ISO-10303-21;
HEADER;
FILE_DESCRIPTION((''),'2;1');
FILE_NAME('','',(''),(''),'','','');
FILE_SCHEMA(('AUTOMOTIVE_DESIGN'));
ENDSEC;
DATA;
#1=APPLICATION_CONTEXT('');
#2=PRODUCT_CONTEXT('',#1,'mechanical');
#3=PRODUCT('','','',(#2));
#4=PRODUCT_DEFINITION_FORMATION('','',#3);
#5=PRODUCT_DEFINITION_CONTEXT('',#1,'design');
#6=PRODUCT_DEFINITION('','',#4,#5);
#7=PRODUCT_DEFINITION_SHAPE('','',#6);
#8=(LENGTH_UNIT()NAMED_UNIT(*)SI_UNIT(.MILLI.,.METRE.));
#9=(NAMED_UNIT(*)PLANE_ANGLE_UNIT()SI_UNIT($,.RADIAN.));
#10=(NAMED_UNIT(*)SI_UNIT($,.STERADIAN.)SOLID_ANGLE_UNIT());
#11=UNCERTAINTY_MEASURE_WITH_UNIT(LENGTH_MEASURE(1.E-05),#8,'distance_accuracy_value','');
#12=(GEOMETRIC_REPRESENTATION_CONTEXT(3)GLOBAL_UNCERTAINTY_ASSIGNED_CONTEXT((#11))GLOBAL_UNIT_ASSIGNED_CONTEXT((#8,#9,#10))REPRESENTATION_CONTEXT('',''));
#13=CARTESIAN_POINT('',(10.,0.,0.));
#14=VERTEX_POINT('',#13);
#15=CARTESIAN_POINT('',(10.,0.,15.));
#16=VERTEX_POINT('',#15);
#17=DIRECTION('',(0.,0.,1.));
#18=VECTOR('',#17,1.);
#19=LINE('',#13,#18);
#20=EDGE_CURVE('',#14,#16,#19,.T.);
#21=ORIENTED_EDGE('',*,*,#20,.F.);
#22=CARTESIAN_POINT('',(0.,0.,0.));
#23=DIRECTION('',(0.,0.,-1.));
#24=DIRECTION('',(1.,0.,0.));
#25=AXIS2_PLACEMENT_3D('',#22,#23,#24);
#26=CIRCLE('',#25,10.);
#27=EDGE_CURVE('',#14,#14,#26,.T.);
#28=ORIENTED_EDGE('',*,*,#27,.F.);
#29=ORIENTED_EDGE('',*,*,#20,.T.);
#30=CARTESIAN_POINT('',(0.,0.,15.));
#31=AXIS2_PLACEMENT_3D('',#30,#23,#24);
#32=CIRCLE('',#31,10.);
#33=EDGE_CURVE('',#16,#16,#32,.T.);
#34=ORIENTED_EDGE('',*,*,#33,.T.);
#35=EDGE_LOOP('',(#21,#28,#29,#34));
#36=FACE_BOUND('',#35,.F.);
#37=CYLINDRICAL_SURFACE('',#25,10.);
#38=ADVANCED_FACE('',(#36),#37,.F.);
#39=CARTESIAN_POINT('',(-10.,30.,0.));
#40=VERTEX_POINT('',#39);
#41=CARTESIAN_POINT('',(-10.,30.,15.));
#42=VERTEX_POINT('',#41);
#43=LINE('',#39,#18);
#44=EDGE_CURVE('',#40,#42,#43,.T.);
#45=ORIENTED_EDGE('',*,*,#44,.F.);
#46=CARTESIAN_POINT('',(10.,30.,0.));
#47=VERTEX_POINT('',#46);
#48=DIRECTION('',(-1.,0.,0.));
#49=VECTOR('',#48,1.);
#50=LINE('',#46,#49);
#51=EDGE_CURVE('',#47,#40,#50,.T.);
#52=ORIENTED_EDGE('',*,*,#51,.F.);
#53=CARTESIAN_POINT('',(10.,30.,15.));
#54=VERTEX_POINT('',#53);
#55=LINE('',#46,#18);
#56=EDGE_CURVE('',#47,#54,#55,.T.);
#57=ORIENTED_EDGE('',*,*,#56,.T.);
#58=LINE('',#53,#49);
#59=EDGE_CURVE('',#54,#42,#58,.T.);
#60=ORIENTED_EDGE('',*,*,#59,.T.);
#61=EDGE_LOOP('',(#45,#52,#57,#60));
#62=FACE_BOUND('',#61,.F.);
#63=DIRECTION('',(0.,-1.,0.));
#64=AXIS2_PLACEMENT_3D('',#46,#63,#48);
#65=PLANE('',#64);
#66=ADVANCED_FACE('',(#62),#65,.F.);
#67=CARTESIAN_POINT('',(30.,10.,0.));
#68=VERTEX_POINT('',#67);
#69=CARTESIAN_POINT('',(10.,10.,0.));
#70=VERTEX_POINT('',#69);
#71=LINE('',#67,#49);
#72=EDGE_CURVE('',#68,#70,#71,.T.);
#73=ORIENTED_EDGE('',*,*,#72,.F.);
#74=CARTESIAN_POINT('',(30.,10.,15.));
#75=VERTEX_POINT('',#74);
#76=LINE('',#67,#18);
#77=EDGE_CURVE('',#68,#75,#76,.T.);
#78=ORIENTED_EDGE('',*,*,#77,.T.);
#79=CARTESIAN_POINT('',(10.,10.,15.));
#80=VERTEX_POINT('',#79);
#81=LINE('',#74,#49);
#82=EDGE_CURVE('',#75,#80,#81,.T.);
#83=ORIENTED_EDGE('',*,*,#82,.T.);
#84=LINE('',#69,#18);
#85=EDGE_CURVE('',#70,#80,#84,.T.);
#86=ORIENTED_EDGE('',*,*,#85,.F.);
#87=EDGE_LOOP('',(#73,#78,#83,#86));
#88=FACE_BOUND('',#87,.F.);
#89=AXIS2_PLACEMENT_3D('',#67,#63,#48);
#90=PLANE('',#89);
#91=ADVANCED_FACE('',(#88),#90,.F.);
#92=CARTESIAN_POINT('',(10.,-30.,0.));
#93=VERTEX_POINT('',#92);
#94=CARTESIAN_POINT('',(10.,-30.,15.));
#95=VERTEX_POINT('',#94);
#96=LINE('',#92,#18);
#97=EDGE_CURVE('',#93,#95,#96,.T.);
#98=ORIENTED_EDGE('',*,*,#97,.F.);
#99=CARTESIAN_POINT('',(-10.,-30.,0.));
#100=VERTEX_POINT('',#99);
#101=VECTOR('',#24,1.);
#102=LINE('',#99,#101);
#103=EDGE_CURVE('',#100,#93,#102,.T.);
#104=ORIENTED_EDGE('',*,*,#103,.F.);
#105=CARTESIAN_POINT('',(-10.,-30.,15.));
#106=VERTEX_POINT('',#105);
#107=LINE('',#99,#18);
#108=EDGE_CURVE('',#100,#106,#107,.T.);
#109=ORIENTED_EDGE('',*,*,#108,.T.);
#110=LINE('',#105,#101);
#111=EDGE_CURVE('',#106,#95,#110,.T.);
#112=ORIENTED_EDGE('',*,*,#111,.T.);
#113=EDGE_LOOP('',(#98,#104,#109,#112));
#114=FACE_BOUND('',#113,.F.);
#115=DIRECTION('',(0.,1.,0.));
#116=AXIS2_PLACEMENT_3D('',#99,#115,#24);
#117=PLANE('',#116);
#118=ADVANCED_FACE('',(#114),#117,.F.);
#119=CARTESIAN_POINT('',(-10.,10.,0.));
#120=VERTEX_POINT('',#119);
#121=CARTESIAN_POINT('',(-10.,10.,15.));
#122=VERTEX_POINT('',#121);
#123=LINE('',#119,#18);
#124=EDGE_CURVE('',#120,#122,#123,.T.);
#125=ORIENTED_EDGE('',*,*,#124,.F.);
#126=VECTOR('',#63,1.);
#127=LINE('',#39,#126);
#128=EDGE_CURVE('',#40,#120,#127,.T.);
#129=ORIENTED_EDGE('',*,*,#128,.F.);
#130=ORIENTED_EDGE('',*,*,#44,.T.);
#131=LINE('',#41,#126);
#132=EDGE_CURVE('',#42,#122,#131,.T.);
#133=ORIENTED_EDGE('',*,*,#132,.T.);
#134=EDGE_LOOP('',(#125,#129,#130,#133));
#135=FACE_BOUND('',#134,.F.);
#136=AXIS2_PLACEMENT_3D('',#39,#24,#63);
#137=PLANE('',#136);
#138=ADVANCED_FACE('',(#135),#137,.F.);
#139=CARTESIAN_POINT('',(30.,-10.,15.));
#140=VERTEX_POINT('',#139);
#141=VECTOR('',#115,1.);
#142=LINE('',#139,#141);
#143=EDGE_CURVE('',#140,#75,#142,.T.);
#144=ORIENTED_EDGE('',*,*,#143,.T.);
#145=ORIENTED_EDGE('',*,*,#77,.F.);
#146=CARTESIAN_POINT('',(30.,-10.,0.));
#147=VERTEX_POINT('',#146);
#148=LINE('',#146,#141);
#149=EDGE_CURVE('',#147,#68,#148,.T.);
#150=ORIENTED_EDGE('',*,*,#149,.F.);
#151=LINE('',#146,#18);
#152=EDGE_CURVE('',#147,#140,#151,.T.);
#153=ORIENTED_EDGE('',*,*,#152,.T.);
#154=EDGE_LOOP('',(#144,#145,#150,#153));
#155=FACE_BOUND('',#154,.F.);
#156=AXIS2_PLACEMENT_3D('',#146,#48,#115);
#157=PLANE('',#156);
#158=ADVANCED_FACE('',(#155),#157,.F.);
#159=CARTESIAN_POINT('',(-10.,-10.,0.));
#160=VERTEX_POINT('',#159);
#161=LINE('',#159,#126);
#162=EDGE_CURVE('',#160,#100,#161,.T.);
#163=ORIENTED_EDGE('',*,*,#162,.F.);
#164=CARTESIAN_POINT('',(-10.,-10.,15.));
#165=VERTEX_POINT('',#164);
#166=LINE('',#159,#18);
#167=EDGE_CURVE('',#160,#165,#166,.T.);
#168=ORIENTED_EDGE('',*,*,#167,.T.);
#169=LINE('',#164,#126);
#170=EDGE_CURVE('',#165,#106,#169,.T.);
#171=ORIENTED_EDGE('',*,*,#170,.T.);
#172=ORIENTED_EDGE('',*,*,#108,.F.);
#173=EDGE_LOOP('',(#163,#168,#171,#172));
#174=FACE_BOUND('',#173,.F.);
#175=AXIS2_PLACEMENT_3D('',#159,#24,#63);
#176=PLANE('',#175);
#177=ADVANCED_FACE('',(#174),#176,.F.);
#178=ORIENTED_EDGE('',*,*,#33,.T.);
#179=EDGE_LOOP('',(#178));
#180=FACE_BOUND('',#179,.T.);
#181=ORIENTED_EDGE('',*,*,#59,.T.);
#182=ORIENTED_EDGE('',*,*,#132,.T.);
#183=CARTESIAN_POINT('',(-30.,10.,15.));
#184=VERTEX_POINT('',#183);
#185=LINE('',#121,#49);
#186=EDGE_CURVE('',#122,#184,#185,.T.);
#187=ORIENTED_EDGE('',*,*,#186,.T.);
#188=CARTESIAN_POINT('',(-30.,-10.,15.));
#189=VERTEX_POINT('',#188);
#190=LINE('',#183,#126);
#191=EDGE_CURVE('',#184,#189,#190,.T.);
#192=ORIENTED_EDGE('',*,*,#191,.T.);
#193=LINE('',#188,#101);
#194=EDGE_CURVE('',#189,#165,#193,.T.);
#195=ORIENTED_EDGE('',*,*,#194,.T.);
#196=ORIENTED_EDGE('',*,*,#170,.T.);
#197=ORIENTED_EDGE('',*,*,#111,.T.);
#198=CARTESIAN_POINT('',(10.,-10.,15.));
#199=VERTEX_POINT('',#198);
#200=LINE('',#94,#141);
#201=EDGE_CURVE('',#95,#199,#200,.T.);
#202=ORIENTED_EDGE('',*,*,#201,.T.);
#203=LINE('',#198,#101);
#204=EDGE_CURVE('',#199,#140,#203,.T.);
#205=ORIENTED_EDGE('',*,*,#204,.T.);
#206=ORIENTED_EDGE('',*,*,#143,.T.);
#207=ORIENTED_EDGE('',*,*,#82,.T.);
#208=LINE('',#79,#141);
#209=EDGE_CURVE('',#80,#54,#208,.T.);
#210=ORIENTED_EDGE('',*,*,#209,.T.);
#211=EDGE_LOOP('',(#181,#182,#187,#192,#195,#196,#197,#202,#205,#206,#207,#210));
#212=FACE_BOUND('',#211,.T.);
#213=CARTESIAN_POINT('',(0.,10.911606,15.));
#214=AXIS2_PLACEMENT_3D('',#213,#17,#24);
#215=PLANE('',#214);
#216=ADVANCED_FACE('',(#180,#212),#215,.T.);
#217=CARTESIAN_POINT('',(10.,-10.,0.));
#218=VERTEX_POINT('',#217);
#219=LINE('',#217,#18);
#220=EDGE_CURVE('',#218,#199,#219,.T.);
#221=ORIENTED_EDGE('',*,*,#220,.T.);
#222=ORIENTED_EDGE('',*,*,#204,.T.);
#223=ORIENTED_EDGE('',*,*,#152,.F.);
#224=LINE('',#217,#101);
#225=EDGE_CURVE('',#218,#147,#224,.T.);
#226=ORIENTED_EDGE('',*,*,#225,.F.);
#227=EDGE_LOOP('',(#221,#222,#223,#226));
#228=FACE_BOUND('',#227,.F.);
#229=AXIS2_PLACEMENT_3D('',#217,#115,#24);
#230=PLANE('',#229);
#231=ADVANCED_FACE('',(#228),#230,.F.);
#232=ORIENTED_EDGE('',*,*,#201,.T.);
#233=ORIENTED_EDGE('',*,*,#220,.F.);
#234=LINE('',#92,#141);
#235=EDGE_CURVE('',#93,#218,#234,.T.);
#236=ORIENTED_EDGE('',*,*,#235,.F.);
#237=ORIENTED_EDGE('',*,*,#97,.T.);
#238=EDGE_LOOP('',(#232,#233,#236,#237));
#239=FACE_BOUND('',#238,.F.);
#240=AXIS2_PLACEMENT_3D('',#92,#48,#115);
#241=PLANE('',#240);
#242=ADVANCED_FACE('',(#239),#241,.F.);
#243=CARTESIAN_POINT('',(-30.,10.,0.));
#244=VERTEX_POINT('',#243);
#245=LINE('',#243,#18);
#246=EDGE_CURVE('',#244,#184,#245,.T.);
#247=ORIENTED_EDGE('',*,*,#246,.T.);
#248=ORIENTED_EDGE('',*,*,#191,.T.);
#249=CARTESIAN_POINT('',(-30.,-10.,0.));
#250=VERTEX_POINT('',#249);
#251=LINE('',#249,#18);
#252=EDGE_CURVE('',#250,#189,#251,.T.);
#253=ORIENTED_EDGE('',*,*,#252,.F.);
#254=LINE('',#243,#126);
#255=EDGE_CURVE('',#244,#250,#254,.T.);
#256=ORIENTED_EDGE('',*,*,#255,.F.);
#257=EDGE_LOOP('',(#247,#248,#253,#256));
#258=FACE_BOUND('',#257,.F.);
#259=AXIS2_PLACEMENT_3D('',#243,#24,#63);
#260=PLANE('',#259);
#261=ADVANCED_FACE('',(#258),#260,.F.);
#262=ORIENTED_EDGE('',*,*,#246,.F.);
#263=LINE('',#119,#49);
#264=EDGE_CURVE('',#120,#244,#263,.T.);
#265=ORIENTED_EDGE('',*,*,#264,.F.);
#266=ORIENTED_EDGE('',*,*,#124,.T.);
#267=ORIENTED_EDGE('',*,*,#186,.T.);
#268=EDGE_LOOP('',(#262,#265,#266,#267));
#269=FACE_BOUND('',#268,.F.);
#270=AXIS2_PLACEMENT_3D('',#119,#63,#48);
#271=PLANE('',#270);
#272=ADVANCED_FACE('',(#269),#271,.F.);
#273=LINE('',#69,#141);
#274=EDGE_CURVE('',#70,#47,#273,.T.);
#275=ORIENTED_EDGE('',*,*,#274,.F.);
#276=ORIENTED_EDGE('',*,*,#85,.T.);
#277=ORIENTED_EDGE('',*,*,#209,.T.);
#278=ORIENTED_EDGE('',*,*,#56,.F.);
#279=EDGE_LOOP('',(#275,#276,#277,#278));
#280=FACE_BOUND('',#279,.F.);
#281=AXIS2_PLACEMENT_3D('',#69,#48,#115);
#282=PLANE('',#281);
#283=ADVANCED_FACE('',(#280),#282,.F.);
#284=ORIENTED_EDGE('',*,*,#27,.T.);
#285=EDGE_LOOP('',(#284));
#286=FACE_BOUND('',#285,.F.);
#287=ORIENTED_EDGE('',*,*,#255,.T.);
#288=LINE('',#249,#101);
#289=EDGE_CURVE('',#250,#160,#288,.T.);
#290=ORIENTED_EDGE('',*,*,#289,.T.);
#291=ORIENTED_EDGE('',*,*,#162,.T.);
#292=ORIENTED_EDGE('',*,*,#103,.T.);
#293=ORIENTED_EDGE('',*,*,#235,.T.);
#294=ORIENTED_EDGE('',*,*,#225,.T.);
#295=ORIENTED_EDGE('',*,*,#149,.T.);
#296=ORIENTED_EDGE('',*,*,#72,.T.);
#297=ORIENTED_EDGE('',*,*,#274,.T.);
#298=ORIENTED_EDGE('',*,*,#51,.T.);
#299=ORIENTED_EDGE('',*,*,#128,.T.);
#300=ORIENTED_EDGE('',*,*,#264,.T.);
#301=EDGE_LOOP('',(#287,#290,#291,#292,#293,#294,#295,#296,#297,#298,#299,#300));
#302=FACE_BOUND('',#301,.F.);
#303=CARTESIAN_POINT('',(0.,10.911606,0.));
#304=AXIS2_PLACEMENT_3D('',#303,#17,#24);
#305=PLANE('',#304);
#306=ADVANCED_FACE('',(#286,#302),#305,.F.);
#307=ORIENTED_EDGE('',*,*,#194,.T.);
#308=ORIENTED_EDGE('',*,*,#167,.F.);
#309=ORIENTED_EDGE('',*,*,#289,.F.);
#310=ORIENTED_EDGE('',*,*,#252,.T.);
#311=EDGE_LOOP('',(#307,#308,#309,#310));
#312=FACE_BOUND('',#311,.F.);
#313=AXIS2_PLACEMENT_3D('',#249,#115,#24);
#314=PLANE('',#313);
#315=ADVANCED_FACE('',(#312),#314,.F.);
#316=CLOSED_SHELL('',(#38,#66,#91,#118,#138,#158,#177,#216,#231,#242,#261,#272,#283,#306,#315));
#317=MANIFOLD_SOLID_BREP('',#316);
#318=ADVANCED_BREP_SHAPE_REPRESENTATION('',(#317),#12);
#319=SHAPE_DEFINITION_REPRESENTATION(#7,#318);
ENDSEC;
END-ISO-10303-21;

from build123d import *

# Parameters (mm, degrees)
F1_DEPTH = 15


with BuildPart() as f1:
    # F0 (on Top) → F1 (new body)
    with BuildSketch(Plane.XY):
        with BuildLine():
            ThreePointArc((-10, 0), (0, 10), (10, 0))
            Line((10, 0), (30, 0))
            Line((30, 0), (30, 10))
            Line((30, 10), (10, 10))
            Line((10, 10), (10, 30))
            Line((10, 30), (0, 30))
            Line((0, 30), (-10, 30))
            Line((-10, 30), (-10, 10))
            Line((-10, 10), (-30, 10))
            Line((-30, 10), (-30, 0))
            Line((-30, 0), (-10, 0))
        make_face()
        with BuildLine():
            Line((30, 0), (10, 0))
            ThreePointArc((10, 0), (0, -10), (-10, 0))
            Line((-10, 0), (-30, 0))
            Line((-30, 0), (-30, -10))
            Line((-30, -10), (-10, -10))
            Line((-10, -10), (-10, -30))
            Line((-10, -30), (0, -30))
            Line((0, -30), (10, -30))
            Line((10, -30), (10, -10))
            Line((10, -10), (30, -10))
            Line((30, -10), (30, 0))
        make_face()
    extrude(amount=F1_DEPTH)


solid = f1.part
